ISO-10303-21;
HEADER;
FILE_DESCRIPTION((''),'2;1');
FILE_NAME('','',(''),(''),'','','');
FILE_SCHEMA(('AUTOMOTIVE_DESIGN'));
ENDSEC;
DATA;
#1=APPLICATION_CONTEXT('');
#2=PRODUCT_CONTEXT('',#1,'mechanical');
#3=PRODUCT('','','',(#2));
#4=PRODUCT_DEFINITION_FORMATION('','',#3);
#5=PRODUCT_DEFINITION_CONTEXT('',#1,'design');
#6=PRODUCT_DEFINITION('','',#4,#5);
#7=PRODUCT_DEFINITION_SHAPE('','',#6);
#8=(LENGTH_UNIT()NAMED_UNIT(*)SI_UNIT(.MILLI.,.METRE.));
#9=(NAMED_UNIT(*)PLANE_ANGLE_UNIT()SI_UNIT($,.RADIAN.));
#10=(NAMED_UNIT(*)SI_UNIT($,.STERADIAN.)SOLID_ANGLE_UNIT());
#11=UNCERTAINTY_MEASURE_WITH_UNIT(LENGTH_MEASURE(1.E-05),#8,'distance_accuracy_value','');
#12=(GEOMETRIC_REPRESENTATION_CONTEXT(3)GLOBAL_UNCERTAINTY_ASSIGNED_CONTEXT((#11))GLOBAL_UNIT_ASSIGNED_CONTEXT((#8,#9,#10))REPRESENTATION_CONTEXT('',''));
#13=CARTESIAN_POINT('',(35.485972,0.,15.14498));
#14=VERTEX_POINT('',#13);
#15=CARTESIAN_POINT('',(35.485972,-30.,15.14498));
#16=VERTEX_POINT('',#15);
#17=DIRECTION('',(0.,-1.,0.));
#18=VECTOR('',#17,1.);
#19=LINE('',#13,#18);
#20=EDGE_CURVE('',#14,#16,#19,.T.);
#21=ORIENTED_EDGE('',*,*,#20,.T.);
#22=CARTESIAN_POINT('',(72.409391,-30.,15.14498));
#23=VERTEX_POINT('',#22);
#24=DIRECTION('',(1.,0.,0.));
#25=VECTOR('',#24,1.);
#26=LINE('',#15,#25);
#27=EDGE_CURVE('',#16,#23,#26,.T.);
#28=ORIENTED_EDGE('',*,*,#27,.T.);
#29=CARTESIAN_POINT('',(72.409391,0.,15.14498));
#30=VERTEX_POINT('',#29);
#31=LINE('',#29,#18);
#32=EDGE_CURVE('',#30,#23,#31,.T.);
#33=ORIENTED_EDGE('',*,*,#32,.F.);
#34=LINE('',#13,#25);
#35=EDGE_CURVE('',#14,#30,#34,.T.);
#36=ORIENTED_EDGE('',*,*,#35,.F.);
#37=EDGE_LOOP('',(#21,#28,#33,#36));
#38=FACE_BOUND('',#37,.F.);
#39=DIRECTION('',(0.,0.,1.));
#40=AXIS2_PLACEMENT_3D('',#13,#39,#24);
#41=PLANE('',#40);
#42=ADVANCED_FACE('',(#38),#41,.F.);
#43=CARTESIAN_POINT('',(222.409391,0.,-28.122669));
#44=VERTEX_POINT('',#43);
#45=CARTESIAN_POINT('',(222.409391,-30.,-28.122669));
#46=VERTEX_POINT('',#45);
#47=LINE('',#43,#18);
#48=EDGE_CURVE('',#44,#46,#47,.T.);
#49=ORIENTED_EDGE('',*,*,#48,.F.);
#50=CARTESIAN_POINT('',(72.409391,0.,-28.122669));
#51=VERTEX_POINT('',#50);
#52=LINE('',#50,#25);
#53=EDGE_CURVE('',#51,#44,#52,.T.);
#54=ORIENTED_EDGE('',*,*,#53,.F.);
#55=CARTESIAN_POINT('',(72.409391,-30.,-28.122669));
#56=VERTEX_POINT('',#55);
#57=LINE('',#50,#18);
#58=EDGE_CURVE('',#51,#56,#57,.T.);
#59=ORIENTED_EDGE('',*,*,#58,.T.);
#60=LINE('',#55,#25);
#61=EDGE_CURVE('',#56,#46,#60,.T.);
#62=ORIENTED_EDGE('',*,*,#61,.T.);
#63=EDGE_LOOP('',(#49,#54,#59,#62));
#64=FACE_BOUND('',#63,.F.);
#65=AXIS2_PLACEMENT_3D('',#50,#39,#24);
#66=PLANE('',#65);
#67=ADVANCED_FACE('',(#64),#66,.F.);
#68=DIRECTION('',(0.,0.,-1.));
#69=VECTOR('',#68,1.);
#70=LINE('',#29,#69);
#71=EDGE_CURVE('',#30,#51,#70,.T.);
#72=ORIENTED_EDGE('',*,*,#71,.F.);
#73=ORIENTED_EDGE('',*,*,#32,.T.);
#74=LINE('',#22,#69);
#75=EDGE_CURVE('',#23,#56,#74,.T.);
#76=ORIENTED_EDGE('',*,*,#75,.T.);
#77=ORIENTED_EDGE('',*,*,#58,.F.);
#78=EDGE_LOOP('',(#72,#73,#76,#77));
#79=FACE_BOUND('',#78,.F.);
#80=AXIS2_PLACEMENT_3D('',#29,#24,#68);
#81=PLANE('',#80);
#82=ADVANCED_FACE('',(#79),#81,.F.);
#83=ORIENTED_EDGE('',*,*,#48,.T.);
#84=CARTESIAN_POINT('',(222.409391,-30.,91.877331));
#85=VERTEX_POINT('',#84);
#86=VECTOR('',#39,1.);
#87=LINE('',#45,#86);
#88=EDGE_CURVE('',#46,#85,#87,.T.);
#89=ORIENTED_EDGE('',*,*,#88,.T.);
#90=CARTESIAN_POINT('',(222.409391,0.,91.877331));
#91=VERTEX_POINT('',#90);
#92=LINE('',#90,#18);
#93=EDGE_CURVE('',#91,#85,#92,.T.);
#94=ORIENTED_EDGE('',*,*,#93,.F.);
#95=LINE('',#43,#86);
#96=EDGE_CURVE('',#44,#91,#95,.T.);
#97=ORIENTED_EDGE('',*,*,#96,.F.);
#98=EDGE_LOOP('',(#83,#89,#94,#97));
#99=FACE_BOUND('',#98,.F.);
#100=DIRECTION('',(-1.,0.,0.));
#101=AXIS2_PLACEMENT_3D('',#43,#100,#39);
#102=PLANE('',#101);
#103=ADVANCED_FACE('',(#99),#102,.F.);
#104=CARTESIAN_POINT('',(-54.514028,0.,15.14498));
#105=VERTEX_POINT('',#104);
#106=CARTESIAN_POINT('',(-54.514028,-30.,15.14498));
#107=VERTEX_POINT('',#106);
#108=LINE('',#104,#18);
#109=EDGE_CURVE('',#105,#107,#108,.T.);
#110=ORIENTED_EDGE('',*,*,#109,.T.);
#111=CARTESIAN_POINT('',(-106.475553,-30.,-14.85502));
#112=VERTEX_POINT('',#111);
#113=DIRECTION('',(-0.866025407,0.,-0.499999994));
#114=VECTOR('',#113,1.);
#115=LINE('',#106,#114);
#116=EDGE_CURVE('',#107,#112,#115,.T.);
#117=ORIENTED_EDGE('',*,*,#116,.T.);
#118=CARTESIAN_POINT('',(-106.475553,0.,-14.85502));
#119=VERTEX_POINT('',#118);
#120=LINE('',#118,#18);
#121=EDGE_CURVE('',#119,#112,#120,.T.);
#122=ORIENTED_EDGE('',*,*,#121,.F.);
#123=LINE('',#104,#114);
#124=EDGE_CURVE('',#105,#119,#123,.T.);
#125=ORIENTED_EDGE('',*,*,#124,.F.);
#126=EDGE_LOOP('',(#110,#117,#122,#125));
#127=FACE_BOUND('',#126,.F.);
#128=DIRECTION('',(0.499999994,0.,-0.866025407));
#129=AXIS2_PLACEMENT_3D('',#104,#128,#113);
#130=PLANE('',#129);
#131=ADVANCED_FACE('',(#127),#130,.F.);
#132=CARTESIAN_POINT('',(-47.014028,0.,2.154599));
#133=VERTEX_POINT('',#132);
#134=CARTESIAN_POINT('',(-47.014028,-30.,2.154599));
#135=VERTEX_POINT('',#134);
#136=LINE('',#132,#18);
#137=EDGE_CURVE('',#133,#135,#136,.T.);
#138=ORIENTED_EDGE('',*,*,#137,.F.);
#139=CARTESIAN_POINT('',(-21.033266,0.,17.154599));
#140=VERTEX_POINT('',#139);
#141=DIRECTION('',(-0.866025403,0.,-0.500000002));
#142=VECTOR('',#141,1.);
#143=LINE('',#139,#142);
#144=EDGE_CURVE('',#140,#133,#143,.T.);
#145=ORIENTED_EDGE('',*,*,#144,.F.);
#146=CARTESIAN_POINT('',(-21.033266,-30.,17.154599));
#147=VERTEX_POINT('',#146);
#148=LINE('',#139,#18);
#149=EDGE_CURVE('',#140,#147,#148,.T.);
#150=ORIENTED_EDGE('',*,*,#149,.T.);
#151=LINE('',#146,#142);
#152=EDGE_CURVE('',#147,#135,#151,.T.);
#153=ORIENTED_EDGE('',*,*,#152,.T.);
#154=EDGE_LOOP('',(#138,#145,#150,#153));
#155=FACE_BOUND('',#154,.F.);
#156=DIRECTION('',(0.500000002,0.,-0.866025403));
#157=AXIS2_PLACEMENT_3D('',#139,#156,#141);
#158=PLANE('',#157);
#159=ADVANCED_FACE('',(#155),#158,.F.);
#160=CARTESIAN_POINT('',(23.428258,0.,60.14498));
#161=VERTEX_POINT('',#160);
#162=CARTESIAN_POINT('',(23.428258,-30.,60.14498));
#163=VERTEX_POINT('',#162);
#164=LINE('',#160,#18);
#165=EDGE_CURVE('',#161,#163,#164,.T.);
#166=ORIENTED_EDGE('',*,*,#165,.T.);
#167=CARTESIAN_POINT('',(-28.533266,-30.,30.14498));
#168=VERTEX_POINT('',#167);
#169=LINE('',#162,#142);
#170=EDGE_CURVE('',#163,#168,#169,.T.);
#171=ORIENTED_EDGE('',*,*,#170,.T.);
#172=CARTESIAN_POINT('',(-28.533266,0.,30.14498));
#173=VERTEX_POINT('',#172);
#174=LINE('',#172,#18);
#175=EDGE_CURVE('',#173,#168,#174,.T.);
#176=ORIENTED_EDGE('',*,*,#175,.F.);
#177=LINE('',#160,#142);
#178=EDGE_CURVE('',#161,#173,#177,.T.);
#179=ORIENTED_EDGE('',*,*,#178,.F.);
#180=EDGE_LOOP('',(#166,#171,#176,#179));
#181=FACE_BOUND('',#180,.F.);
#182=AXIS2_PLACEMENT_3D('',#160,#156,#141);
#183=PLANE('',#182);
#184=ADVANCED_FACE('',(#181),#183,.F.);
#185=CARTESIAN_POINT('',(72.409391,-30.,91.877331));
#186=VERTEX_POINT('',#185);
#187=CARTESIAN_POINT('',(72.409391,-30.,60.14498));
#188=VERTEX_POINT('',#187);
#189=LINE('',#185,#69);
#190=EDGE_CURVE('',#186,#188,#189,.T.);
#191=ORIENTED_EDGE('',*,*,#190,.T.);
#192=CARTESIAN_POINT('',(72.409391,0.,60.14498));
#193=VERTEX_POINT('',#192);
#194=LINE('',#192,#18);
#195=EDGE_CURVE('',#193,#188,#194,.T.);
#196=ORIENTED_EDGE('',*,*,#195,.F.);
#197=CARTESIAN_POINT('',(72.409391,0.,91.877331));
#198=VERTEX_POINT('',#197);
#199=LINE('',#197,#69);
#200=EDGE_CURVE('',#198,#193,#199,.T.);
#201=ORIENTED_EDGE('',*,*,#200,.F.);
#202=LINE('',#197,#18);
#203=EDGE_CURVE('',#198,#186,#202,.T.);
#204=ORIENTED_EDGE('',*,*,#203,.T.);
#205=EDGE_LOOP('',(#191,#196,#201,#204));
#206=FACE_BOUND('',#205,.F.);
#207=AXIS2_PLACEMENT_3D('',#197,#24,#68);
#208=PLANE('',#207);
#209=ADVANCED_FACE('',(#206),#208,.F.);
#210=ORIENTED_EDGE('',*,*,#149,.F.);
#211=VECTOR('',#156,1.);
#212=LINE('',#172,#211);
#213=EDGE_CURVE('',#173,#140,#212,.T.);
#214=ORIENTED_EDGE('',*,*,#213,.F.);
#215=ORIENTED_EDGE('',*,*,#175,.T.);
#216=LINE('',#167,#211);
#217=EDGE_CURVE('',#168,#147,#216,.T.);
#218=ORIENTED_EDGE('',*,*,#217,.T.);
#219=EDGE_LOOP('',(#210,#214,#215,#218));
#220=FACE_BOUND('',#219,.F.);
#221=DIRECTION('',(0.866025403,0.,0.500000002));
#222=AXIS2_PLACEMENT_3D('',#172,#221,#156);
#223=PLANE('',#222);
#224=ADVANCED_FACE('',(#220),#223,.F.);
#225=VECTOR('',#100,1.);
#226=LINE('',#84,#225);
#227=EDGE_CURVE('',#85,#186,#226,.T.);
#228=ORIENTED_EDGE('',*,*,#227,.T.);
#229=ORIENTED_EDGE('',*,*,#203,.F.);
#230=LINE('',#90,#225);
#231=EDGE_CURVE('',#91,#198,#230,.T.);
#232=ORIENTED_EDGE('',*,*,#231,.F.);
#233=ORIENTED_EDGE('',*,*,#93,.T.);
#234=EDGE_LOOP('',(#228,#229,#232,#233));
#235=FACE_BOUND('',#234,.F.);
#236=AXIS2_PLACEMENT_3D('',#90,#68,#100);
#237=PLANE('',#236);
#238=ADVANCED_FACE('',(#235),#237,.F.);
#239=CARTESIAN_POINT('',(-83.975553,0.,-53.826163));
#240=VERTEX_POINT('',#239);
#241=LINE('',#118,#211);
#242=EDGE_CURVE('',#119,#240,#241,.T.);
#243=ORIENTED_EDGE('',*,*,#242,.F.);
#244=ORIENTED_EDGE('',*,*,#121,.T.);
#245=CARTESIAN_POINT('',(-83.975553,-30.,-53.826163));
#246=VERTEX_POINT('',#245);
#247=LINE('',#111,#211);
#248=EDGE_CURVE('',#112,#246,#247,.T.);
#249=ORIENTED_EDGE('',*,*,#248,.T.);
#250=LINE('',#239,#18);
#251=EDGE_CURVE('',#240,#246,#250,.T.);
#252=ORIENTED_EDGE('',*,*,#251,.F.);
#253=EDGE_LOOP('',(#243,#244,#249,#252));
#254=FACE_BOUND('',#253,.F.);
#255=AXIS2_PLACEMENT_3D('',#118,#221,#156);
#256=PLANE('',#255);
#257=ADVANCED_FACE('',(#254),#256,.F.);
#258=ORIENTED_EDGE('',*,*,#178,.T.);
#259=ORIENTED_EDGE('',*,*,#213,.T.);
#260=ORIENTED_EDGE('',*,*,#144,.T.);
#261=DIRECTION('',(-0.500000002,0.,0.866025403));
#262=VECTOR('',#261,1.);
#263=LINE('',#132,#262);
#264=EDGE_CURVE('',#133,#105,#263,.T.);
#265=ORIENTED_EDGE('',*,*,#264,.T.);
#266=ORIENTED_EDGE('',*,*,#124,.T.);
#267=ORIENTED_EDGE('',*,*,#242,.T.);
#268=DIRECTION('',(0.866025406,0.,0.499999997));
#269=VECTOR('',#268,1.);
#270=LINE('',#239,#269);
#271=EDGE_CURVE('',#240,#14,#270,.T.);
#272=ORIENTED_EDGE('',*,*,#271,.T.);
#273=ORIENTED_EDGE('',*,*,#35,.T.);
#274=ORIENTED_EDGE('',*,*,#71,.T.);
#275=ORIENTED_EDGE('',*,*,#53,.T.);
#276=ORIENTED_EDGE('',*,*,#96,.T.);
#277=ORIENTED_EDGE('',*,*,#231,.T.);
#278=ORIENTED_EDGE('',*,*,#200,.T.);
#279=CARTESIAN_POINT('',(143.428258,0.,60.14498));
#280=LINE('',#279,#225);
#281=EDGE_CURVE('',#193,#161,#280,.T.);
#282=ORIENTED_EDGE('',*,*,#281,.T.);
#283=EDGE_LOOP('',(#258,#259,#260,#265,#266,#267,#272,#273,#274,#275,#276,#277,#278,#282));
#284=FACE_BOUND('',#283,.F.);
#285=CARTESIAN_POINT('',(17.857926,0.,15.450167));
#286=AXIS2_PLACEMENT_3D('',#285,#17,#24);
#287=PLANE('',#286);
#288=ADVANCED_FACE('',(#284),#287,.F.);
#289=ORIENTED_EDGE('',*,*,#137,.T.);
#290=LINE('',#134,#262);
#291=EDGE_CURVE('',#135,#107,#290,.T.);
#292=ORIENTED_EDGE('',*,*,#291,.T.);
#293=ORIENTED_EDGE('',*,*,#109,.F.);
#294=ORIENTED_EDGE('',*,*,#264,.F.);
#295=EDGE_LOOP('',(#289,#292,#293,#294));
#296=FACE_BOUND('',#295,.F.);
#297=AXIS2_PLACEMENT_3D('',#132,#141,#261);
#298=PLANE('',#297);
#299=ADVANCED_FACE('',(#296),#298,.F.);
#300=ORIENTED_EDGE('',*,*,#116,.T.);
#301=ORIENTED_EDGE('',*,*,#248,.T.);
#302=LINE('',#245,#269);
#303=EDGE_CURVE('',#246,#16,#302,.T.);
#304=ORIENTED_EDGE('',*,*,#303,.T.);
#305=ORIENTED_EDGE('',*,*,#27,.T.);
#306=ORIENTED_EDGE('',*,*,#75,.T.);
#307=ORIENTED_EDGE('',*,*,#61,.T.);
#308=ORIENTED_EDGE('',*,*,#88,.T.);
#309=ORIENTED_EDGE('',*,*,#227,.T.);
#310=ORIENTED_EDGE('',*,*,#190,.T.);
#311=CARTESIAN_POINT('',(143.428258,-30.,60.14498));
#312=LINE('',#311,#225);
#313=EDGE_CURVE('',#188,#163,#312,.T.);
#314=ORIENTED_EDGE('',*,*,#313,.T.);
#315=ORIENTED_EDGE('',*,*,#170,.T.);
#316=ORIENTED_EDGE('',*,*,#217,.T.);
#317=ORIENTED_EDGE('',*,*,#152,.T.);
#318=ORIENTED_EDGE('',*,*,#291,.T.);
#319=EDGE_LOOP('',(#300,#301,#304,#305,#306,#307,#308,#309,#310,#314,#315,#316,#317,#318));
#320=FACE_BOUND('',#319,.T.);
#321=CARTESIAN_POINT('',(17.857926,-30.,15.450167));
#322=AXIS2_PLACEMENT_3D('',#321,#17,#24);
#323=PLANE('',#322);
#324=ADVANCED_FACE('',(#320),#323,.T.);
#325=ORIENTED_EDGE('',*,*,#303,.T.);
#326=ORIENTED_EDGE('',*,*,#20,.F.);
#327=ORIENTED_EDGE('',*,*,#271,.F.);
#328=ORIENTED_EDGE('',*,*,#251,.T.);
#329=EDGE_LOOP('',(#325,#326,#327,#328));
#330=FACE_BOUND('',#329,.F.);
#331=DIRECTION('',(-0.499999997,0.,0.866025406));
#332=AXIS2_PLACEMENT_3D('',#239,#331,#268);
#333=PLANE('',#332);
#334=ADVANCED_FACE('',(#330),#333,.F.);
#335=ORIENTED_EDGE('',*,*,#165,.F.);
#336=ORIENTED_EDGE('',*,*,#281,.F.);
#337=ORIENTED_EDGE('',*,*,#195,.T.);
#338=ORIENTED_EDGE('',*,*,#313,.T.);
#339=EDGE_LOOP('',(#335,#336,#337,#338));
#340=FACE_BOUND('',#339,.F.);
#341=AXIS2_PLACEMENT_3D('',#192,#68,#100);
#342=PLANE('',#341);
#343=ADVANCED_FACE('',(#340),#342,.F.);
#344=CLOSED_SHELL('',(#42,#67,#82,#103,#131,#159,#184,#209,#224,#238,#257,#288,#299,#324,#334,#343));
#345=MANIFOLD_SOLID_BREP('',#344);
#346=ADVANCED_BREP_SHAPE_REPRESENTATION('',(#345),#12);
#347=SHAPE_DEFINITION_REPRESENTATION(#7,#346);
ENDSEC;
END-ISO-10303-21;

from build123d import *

# Parameters (mm, degrees)
F1_DEPTH = 30


with BuildPart() as f1:
    # F0 (on Front) → F1 (new body)
    with BuildSketch(Plane.XZ):
        Polygon((-54.514028, 15.14498), (-106.475553, -14.85502), (-83.975553, -53.826163), (35.485972, 15.14498), (72.409391, 15.14498), (143.428258, 15.14498), (143.428258, 60.14498), (72.409391, 60.14498), (23.428258, 60.14498), (-28.533266, 30.14498), (-21.033266, 17.154599), (-47.014028, 2.154599), align=None)
        Polygon((143.428258, 15.14498), (72.409391, 15.14498), (72.409391, -28.122669), (222.409391, -28.122669), (222.409391, 91.877331), (72.409391, 91.877331), (72.409391, 84.429644), (72.409391, 60.14498), (143.428258, 60.14498), align=None)
    extrude(amount=F1_DEPTH)


solid = f1.part
